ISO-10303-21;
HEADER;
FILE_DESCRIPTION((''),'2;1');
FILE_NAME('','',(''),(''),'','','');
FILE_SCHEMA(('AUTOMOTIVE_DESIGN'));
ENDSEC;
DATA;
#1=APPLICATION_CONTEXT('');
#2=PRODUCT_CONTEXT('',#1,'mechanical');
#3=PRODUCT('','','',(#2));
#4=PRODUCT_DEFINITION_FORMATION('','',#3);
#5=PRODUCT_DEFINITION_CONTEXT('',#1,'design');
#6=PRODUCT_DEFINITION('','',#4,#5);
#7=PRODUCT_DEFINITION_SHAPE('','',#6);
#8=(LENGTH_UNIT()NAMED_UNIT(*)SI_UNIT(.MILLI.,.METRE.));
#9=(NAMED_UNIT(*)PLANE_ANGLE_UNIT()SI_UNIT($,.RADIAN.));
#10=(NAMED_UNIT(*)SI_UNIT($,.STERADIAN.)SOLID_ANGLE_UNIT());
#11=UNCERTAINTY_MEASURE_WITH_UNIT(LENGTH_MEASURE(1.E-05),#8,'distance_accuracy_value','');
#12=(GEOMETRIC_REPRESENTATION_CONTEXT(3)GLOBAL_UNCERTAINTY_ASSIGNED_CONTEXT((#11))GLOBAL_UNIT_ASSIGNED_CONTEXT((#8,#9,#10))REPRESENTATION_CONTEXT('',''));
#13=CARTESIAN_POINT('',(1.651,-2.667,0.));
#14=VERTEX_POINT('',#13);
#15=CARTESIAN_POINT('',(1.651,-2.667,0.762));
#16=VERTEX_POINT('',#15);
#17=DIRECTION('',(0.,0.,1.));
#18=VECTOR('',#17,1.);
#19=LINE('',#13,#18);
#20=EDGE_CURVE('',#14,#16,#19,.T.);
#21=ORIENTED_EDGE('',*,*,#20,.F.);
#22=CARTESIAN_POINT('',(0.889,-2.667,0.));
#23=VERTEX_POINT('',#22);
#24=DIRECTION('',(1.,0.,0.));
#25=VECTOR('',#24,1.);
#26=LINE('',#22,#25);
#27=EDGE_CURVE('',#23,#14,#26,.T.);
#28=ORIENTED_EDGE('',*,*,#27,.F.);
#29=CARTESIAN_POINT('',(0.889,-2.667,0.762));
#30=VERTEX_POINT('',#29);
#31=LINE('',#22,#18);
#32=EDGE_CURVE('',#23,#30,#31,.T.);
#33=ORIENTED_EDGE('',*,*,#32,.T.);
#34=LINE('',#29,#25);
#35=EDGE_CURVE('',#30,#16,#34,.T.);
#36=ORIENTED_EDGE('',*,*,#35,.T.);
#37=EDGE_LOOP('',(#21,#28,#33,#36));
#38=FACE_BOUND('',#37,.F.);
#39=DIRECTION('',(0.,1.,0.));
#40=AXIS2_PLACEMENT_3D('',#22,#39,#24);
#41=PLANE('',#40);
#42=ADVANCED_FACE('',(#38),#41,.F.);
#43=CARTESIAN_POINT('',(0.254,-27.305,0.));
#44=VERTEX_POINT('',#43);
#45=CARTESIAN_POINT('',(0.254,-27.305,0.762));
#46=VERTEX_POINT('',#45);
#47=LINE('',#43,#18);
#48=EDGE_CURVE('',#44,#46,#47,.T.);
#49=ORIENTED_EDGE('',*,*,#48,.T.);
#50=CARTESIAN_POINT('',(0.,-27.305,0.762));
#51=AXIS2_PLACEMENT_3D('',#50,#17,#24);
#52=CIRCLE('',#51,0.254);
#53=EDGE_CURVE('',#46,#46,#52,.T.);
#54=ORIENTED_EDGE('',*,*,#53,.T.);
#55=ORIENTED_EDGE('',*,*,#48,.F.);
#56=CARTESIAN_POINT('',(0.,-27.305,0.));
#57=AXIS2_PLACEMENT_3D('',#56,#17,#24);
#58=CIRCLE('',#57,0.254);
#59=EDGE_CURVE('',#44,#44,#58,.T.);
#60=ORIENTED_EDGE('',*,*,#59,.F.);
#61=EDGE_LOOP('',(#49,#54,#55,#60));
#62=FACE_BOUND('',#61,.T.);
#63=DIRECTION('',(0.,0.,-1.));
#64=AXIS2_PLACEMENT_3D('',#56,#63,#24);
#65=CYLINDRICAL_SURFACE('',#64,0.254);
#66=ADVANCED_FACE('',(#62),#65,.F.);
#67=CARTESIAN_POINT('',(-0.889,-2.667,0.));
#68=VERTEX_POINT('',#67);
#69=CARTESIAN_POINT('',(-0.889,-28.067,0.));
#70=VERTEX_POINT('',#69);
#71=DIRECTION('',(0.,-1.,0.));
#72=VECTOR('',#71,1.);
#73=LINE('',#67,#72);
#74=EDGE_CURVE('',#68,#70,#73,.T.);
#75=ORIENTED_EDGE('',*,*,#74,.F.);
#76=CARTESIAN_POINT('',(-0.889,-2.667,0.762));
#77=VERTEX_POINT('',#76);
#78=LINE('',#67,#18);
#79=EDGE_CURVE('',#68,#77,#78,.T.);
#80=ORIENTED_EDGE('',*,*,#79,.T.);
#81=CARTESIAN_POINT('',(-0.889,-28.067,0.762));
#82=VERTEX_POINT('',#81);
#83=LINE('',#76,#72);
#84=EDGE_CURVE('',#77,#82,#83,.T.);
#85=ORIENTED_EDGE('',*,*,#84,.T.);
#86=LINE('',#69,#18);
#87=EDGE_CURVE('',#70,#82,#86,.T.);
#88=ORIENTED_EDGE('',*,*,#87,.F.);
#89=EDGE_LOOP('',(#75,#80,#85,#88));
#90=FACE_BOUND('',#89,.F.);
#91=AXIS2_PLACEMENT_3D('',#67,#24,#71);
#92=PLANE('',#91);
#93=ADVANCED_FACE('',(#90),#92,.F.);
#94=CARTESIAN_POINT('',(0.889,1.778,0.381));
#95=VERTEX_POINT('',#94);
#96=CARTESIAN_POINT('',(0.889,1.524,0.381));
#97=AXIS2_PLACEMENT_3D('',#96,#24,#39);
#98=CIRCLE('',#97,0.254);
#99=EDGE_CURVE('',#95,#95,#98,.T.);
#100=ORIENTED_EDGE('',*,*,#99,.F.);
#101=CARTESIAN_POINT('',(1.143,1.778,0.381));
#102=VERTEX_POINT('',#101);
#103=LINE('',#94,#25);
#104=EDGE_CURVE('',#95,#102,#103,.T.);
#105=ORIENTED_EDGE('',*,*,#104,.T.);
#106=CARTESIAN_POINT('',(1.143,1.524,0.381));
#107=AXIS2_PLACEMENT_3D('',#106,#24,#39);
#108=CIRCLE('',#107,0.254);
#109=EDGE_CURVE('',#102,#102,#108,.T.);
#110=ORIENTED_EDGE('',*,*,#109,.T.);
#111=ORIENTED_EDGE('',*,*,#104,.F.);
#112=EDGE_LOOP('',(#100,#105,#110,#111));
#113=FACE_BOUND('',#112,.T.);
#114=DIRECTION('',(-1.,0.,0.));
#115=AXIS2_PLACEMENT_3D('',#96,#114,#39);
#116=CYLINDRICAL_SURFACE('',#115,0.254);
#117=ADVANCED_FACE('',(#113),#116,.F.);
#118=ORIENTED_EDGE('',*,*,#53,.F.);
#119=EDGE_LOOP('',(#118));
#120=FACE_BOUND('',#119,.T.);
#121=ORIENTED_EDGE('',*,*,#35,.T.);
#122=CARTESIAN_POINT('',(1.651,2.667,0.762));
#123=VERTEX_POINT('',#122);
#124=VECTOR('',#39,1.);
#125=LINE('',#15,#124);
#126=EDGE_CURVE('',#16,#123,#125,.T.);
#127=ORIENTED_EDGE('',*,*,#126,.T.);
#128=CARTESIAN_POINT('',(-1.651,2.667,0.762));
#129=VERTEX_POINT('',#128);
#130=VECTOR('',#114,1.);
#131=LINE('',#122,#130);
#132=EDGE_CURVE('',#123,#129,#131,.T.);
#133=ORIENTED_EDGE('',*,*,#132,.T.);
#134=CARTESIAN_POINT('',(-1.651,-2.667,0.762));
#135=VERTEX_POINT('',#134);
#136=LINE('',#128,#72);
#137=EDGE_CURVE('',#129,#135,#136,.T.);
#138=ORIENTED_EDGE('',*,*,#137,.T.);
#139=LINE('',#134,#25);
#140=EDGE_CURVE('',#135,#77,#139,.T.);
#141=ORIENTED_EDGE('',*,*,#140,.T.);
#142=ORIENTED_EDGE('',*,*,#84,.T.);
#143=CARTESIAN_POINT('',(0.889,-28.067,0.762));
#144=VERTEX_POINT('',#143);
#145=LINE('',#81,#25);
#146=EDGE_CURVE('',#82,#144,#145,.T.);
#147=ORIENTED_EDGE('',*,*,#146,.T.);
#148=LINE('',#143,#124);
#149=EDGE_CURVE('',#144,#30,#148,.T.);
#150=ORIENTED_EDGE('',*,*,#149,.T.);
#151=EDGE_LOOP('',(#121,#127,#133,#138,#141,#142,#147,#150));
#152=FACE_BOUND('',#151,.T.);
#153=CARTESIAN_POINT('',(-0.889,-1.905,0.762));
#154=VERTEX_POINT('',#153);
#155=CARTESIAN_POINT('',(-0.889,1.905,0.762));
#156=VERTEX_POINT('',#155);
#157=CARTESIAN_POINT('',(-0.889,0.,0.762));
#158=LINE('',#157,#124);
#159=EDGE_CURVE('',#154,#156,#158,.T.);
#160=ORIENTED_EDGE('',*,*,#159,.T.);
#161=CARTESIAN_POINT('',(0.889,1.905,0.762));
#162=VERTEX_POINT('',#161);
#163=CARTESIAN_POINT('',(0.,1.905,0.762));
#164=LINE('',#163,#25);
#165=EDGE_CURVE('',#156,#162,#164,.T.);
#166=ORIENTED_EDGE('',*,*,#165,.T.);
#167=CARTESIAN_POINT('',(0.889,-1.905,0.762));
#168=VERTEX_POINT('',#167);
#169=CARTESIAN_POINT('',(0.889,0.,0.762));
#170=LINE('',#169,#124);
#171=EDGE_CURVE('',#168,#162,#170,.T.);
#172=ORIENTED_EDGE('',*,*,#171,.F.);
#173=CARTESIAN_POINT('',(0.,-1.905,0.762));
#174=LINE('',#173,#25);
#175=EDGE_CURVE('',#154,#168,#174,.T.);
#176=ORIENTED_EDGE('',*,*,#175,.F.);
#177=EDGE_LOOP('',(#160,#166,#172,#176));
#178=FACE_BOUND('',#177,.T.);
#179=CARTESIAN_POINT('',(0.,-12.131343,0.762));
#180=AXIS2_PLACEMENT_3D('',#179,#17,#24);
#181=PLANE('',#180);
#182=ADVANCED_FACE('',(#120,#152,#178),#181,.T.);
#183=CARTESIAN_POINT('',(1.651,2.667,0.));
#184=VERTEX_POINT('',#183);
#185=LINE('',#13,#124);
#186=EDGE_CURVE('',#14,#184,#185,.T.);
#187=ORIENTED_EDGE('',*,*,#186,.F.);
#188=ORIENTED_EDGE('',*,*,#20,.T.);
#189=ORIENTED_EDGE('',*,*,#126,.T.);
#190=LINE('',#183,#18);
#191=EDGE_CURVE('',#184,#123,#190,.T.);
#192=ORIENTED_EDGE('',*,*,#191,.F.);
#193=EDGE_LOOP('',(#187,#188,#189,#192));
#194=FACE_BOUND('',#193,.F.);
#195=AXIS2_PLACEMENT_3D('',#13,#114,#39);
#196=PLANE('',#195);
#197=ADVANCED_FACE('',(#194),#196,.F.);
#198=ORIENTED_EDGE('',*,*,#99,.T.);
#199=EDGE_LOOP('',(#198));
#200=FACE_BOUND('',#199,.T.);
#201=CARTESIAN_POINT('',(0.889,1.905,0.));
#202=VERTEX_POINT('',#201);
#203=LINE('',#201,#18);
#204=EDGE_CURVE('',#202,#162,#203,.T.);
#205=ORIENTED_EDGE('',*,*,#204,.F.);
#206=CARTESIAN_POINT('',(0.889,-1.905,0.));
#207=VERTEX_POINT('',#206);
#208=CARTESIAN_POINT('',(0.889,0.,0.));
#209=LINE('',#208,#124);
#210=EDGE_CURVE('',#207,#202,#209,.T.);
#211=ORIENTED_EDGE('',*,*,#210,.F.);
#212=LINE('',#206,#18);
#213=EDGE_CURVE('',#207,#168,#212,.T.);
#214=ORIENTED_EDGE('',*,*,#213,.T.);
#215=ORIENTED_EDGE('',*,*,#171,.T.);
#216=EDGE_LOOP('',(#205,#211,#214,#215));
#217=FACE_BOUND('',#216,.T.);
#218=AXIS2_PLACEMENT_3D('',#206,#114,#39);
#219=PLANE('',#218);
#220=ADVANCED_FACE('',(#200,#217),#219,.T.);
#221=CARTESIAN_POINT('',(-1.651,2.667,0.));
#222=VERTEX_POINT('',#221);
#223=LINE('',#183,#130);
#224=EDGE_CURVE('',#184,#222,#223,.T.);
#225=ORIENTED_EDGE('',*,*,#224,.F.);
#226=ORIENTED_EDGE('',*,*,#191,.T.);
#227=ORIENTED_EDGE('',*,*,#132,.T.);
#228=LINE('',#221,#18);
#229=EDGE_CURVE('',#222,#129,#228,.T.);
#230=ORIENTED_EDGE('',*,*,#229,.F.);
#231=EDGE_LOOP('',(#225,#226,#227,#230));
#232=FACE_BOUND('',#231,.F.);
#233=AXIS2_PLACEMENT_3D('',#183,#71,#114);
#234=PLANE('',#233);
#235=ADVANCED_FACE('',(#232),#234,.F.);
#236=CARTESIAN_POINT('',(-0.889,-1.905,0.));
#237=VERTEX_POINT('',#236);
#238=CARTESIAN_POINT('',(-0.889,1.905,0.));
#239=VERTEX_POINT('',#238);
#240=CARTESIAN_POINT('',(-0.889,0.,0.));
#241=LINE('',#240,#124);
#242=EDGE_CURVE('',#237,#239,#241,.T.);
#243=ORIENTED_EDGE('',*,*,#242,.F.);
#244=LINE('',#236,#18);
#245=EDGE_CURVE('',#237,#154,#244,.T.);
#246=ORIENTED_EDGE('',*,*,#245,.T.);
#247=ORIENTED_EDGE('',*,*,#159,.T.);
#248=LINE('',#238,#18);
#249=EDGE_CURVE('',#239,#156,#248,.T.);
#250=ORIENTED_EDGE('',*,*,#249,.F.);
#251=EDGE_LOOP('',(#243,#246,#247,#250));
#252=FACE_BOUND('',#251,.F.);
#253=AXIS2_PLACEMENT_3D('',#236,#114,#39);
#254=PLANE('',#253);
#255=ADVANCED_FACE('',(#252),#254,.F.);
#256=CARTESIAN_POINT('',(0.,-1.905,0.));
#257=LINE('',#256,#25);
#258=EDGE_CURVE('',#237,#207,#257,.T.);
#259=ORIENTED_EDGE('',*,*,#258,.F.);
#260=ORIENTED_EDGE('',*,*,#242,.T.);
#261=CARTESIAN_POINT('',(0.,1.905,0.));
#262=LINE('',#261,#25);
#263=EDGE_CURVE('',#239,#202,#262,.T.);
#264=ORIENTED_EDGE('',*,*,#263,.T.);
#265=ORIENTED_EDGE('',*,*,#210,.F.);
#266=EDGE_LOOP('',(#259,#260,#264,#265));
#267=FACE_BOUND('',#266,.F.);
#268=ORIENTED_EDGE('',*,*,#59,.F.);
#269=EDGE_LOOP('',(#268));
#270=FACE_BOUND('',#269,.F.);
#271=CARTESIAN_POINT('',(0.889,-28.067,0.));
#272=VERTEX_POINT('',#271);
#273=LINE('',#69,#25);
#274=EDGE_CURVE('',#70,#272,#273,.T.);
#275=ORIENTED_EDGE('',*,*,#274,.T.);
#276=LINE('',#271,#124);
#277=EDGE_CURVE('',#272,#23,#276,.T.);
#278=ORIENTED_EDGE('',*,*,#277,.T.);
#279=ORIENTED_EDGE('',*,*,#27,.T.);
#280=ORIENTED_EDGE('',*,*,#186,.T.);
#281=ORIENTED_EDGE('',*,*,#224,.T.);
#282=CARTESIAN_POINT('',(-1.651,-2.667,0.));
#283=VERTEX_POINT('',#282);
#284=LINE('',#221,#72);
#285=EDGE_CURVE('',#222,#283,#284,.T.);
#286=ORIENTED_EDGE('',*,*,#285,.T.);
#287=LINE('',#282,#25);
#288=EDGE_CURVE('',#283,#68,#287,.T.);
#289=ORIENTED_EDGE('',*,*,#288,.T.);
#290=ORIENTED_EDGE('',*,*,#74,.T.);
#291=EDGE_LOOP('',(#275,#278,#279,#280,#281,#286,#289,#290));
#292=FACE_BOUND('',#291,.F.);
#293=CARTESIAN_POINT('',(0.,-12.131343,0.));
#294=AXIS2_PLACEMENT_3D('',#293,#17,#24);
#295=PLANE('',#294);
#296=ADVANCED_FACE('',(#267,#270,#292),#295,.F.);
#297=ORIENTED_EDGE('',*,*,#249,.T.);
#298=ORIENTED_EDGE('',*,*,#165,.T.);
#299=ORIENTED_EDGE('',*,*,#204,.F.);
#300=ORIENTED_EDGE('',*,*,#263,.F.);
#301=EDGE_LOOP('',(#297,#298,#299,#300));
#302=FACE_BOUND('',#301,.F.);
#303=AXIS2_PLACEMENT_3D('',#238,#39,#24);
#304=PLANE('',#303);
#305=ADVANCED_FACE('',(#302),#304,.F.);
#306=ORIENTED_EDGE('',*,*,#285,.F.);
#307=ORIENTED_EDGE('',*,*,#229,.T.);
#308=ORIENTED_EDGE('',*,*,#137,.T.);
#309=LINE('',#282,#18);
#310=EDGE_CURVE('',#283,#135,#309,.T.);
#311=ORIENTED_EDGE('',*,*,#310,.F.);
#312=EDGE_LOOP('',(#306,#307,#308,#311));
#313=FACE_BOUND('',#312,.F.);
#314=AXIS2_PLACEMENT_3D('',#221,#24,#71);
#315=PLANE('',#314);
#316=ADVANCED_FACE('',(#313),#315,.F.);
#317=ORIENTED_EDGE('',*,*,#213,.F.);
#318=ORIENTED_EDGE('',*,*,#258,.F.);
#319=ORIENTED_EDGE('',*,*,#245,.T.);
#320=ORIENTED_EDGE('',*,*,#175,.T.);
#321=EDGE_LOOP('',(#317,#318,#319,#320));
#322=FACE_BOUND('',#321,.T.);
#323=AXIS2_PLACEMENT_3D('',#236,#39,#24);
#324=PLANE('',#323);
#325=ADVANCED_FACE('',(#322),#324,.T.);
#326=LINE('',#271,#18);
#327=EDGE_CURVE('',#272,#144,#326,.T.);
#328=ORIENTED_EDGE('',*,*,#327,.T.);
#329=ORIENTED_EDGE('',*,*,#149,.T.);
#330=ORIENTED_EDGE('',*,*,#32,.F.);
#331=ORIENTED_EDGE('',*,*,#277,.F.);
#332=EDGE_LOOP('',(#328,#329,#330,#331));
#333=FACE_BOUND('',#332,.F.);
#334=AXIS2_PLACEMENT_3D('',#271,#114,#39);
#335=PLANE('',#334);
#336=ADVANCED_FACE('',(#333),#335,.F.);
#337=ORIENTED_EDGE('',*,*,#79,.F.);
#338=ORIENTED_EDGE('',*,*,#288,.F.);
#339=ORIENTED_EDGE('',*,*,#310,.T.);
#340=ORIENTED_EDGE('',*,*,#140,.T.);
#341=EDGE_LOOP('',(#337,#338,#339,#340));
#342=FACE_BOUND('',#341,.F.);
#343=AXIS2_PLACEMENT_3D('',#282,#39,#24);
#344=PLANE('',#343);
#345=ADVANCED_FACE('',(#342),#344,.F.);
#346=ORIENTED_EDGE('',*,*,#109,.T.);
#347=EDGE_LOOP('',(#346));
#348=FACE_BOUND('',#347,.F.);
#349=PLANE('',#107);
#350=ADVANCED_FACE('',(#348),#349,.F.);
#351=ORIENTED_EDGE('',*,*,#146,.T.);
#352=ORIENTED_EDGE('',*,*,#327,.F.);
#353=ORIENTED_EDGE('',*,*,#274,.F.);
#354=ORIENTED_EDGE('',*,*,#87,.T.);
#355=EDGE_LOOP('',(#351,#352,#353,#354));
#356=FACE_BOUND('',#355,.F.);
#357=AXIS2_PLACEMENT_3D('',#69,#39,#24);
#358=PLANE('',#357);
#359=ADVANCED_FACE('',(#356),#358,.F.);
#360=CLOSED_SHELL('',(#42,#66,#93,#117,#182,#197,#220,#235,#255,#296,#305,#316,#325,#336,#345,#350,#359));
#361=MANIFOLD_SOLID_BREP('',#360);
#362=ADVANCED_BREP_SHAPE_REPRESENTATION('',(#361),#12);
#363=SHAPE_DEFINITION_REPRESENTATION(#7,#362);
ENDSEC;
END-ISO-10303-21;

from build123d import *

# Parameters (mm, degrees)
F0_R      = 0.254
F0_W      = 1.778
F0_H      = 3.81
F1_DEPTH  = 0.762
F3_R      = 0.254
F1_FACE_W = 5.334
F1_FACE_H = 0.762
F4_DEPTH  = 0.254


with BuildPart() as f1:
    # F0 (on Top) → F1 (new body)
    with BuildSketch(Plane.XY):
        Polygon((0.889, -2.667), (1.651, -2.667), (1.651, 2.667), (-1.651, 2.667), (-1.651, -2.667), (-0.889, -2.667), (-0.889, -28.067), (0.889, -28.067), align=None)
        with Locations((0, -27.305)):
            Circle(F0_R, mode=Mode.SUBTRACT)
        Rectangle(F0_W, F0_H, mode=Mode.SUBTRACT)
    extrude(amount=F1_DEPTH)

    # F3 (on offset) + F1_face (on face) → F4 (cut)
    with BuildSketch(Plane.YZ.offset(0.889)):
        with Locations((1.524, 0.381)):
            Circle(F3_R)
    with BuildSketch(Plane(origin=(1.651, 0, 0.381), x_dir=(0, 1, 0), z_dir=(1, 0, 0))):
        Rectangle(F1_FACE_W, F1_FACE_H)
    extrude(amount=F4_DEPTH, mode=Mode.SUBTRACT)


solid = f1.part
